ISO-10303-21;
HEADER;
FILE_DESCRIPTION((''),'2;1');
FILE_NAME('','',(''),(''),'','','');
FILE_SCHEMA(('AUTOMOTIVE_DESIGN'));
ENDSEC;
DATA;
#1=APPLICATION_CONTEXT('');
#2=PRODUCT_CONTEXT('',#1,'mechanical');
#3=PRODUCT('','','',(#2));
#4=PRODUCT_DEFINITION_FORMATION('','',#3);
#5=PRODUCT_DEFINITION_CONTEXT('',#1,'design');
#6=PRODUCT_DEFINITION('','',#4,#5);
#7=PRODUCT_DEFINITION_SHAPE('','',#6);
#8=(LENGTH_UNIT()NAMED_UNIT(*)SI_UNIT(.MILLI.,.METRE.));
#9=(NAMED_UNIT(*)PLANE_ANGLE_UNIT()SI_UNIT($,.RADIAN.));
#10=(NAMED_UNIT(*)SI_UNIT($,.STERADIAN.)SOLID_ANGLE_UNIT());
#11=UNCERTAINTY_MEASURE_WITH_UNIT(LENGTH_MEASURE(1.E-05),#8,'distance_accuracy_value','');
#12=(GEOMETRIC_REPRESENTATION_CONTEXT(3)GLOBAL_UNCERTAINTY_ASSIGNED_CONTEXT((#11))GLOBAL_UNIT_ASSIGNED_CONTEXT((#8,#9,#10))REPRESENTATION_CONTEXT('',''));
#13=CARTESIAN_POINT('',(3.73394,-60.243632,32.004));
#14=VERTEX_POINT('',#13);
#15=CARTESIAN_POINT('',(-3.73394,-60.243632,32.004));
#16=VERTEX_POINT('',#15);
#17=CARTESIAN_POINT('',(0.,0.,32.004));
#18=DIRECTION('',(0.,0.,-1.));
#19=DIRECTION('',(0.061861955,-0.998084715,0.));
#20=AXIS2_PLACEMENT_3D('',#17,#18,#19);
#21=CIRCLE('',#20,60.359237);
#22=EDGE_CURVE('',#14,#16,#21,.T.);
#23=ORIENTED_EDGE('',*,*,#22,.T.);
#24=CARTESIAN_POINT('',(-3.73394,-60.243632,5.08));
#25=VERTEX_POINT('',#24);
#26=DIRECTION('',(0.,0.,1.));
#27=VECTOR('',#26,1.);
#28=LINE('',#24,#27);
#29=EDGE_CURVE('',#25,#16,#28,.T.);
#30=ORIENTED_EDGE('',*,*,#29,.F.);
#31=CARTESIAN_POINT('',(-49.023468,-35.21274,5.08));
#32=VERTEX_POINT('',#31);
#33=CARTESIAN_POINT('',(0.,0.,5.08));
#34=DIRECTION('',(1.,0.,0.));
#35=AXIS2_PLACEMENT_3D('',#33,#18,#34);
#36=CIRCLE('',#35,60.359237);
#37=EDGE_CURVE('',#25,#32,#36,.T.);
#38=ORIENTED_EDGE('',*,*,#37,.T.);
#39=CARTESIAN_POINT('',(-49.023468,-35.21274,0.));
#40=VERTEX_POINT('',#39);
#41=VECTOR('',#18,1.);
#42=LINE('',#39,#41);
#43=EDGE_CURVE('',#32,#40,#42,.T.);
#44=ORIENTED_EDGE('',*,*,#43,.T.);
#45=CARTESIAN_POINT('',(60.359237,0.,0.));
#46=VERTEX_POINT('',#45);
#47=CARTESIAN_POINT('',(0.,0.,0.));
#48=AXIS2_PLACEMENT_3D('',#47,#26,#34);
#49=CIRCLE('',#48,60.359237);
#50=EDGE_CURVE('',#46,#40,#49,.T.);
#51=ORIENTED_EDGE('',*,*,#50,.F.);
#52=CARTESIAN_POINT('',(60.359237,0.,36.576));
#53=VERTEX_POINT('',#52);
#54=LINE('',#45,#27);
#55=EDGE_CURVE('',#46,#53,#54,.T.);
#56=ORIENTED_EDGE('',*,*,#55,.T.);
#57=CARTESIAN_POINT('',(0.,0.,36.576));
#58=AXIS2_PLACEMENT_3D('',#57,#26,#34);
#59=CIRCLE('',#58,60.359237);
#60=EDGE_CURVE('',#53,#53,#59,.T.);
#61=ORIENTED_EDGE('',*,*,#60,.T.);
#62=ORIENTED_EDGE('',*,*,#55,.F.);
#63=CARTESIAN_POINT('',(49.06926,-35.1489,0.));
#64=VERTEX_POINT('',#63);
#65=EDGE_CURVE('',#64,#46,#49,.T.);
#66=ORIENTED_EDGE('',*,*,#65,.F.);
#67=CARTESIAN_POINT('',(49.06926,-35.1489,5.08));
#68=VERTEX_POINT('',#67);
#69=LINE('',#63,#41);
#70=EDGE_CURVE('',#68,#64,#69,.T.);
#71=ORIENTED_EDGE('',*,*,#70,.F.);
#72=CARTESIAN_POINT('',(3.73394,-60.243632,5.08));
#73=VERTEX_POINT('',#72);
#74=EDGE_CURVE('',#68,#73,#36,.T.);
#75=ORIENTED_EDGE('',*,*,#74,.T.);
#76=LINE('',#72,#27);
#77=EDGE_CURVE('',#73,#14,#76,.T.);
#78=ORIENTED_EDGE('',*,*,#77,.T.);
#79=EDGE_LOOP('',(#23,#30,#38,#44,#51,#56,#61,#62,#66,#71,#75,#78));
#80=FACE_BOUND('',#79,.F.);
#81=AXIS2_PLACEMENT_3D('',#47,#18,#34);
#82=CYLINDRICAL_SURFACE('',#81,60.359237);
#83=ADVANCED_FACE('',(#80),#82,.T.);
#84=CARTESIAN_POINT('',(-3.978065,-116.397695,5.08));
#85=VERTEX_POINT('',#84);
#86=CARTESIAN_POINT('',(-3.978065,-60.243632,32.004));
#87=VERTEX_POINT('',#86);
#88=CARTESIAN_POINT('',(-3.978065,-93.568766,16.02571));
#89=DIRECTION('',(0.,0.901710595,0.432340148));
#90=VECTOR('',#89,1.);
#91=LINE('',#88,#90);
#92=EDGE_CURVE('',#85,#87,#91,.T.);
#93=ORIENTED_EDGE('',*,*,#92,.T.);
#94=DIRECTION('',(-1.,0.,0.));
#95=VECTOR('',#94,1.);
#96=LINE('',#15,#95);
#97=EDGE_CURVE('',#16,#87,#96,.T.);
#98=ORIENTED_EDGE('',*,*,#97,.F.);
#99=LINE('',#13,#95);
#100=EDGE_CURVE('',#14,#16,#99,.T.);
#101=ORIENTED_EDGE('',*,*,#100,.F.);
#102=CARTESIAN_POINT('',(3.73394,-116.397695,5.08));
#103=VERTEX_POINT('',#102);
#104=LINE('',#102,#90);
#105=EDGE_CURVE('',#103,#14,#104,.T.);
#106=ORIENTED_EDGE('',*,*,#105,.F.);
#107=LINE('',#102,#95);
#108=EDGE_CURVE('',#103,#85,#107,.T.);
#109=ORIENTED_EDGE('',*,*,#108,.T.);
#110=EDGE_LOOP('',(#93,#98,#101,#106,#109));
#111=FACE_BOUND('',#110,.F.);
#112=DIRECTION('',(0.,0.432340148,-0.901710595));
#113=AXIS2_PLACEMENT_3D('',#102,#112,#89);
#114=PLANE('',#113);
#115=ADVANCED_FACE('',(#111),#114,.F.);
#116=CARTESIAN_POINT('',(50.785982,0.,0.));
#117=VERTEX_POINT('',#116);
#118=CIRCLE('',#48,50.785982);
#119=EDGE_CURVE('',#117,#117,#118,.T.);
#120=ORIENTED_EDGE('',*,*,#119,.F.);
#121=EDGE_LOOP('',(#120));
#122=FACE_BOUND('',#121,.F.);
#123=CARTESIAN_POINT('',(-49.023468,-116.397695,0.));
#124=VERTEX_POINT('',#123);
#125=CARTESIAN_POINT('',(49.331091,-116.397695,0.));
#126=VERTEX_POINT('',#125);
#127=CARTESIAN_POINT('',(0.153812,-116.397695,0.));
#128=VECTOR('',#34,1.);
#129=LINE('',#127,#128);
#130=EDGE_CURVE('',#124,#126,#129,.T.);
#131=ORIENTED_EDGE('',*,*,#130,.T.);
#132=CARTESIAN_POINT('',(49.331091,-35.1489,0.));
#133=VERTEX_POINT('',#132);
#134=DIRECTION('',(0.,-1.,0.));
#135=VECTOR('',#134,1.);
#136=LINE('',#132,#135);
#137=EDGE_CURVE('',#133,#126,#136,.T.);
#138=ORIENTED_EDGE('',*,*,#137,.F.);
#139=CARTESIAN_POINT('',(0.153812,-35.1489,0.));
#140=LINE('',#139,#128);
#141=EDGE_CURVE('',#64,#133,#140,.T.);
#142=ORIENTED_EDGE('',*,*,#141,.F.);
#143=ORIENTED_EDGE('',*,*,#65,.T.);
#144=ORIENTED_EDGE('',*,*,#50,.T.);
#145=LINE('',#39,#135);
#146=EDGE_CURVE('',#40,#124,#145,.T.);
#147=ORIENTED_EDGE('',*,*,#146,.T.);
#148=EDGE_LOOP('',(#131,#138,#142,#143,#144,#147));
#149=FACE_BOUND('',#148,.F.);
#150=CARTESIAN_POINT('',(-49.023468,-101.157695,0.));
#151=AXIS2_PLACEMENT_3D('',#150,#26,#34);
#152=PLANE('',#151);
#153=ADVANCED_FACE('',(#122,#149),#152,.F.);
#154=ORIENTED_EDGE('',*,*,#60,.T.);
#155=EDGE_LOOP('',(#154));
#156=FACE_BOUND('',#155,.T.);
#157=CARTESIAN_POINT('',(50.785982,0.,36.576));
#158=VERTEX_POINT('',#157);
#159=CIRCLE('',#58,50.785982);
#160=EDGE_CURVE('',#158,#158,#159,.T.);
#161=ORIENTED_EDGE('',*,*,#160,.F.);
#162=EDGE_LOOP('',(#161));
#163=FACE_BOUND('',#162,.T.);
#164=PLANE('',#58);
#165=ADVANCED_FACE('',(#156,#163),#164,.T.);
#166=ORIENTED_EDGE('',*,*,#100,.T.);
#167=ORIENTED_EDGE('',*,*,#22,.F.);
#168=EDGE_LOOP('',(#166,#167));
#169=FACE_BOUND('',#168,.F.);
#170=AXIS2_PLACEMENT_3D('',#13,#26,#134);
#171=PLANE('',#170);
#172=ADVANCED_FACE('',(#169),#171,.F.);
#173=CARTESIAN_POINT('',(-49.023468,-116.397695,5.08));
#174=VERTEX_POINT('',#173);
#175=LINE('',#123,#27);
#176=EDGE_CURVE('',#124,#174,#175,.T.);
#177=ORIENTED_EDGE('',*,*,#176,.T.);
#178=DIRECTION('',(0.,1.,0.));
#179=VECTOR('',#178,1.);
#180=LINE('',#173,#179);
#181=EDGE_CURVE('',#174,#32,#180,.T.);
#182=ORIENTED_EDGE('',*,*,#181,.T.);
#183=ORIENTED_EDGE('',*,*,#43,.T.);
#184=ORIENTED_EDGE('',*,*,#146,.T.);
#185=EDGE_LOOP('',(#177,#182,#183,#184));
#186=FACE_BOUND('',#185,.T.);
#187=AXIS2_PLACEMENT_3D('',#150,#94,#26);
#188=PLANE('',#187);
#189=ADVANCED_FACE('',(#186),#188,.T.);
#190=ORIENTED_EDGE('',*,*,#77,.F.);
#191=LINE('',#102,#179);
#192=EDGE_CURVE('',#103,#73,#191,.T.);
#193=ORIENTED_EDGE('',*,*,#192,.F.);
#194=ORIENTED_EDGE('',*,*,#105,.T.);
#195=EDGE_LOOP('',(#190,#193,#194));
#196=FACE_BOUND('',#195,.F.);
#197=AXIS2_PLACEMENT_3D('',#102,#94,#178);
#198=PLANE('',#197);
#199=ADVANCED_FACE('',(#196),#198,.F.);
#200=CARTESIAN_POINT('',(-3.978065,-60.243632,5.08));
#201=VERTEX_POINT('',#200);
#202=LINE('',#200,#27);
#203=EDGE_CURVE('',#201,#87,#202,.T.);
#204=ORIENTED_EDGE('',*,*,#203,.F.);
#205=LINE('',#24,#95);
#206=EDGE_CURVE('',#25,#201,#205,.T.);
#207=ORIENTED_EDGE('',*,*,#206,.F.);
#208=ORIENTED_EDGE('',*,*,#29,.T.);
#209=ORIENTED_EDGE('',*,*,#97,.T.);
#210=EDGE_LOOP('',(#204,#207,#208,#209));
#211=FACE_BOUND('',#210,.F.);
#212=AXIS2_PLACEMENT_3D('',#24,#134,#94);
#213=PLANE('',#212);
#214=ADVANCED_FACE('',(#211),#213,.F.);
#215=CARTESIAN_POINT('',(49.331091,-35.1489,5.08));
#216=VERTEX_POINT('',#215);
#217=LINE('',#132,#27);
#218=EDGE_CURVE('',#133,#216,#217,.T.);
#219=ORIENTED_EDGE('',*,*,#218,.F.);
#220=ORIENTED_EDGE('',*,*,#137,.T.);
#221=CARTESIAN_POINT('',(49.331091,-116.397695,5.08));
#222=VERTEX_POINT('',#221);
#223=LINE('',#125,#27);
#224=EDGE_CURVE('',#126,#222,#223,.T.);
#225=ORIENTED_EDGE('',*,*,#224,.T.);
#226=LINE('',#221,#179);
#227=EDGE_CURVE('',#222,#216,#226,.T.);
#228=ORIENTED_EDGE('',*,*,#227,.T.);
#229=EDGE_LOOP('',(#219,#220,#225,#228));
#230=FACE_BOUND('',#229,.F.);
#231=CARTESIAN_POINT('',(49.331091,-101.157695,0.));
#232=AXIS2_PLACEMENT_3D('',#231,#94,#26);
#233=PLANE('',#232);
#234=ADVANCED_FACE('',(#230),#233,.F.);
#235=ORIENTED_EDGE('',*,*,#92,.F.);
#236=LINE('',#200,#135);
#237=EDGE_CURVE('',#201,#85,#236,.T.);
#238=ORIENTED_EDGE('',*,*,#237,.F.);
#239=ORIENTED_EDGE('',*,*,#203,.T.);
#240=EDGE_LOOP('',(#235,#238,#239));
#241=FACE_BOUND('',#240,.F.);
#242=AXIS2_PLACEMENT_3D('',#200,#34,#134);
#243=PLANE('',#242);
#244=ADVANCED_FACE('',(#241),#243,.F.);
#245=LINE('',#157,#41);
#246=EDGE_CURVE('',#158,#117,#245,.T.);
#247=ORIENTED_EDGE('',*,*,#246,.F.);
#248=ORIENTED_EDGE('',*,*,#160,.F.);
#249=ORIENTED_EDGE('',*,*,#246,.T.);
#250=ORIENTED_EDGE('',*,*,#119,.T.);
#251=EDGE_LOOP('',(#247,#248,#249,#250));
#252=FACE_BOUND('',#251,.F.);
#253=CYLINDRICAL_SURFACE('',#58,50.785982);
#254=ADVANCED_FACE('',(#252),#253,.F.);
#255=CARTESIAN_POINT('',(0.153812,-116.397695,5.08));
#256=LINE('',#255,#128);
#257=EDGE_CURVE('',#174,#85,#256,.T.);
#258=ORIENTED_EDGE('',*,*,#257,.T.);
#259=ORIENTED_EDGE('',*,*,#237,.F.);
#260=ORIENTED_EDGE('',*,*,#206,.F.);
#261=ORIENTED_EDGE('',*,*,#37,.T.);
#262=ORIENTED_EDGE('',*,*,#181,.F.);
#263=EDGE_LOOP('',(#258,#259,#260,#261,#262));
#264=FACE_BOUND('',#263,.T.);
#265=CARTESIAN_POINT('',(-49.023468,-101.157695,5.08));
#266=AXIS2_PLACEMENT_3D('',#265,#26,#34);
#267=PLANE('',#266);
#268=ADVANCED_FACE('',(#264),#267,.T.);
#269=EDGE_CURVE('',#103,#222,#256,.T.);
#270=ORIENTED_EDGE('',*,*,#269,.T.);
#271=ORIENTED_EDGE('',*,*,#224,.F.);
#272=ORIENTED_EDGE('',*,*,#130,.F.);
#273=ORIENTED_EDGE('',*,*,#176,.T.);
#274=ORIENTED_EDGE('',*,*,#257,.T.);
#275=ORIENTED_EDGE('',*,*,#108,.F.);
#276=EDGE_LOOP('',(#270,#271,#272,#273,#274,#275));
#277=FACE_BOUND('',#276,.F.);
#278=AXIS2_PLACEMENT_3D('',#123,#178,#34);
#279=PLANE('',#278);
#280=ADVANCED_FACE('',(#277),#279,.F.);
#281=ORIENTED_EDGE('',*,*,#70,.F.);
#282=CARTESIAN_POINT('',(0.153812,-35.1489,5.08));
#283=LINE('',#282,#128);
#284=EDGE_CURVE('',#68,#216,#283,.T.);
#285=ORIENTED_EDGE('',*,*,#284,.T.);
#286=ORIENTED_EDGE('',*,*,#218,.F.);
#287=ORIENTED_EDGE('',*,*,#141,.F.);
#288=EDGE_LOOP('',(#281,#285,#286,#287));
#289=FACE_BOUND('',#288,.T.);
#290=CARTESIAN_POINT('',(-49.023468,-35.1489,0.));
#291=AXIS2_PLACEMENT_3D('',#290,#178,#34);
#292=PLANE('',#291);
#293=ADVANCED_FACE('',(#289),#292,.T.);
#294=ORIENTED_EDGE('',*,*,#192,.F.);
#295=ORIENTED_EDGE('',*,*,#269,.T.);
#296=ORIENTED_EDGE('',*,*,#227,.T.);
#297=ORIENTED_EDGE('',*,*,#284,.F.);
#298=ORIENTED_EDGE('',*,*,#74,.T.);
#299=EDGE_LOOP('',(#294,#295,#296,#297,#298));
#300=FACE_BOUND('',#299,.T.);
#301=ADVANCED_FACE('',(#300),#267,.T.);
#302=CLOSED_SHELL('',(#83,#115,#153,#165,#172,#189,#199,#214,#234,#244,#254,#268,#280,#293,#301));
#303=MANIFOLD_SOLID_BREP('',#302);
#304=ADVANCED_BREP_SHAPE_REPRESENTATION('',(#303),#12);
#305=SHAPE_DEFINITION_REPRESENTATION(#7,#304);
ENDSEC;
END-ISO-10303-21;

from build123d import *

# Parameters (mm, degrees)
F0_R      = 60.3592367884
F1_DEPTH  = 36.576
F2_W      = 98.3545593917
F2_H      = 66.0087950528
F3_DEPTH  = 5.08
F4_R      = 50.7859823722
F5_DEPTH  = 63.754
F6_DEPTH  = 15.24
F8_DEPTH  = 26.924
F10_DEPTH = 61.722


with BuildPart() as f1:
    # F0 (on Top) → F1 (new body)
    with BuildSketch(Plane.XY):
        Circle(F0_R)
    extrude(amount=F1_DEPTH)

    # F2 (on Top) → F3 (join)
    with BuildSketch(Plane.XY):
        with Locations((0.1538116485, -68.1532975286)):
            Rectangle(F2_W, F2_H)
    extrude(amount=F3_DEPTH)

    # F4 (on face) → F5 (cut)
    with BuildSketch(Plane.XY.offset(36.576)):
        Circle(F4_R)
    extrude(amount=-F5_DEPTH, mode=Mode.SUBTRACT)

    # F6 (add): a face of the model
    f6_faces = [f1.faces().sort_by_distance(p)[0] for p in [
        (0.1538116485, -101.157695055, 2.54),
    ]]
    extrude(f6_faces, amount=F6_DEPTH)

    # F7 (on face) → F8 (join)
    with BuildSketch(Plane.XY.offset(5.08)):
        with BuildLine():
            Line((-3.9780647494, -60.2436316555), (-3.9780647494, -116.397695055))
            Line((-3.9780647494, -116.397695055), (3.7339403637, -116.397695055))
            Line((3.7339403637, -116.397695055), (3.7339403637, -60.2436316555))
            ThreePointArc((3.7339403637, -60.2436316555), (0, -60.3592367884), (-3.7339403636, -60.2436316555))
            Line((-3.7339403636, -60.2436316555), (-3.9780647494, -60.2436316555))
        make_face()
    extrude(amount=F8_DEPTH)

    # F9 (on face) → F10 (cut)
    with BuildSketch(Plane.YZ.offset(3.7339403637)):
        Polygon((-116.397695055, 32.004), (-116.397695055, 5.08), (-60.2436316555, 32.004), align=None)
    extrude(amount=-F10_DEPTH, mode=Mode.SUBTRACT)


solid = f1.part
